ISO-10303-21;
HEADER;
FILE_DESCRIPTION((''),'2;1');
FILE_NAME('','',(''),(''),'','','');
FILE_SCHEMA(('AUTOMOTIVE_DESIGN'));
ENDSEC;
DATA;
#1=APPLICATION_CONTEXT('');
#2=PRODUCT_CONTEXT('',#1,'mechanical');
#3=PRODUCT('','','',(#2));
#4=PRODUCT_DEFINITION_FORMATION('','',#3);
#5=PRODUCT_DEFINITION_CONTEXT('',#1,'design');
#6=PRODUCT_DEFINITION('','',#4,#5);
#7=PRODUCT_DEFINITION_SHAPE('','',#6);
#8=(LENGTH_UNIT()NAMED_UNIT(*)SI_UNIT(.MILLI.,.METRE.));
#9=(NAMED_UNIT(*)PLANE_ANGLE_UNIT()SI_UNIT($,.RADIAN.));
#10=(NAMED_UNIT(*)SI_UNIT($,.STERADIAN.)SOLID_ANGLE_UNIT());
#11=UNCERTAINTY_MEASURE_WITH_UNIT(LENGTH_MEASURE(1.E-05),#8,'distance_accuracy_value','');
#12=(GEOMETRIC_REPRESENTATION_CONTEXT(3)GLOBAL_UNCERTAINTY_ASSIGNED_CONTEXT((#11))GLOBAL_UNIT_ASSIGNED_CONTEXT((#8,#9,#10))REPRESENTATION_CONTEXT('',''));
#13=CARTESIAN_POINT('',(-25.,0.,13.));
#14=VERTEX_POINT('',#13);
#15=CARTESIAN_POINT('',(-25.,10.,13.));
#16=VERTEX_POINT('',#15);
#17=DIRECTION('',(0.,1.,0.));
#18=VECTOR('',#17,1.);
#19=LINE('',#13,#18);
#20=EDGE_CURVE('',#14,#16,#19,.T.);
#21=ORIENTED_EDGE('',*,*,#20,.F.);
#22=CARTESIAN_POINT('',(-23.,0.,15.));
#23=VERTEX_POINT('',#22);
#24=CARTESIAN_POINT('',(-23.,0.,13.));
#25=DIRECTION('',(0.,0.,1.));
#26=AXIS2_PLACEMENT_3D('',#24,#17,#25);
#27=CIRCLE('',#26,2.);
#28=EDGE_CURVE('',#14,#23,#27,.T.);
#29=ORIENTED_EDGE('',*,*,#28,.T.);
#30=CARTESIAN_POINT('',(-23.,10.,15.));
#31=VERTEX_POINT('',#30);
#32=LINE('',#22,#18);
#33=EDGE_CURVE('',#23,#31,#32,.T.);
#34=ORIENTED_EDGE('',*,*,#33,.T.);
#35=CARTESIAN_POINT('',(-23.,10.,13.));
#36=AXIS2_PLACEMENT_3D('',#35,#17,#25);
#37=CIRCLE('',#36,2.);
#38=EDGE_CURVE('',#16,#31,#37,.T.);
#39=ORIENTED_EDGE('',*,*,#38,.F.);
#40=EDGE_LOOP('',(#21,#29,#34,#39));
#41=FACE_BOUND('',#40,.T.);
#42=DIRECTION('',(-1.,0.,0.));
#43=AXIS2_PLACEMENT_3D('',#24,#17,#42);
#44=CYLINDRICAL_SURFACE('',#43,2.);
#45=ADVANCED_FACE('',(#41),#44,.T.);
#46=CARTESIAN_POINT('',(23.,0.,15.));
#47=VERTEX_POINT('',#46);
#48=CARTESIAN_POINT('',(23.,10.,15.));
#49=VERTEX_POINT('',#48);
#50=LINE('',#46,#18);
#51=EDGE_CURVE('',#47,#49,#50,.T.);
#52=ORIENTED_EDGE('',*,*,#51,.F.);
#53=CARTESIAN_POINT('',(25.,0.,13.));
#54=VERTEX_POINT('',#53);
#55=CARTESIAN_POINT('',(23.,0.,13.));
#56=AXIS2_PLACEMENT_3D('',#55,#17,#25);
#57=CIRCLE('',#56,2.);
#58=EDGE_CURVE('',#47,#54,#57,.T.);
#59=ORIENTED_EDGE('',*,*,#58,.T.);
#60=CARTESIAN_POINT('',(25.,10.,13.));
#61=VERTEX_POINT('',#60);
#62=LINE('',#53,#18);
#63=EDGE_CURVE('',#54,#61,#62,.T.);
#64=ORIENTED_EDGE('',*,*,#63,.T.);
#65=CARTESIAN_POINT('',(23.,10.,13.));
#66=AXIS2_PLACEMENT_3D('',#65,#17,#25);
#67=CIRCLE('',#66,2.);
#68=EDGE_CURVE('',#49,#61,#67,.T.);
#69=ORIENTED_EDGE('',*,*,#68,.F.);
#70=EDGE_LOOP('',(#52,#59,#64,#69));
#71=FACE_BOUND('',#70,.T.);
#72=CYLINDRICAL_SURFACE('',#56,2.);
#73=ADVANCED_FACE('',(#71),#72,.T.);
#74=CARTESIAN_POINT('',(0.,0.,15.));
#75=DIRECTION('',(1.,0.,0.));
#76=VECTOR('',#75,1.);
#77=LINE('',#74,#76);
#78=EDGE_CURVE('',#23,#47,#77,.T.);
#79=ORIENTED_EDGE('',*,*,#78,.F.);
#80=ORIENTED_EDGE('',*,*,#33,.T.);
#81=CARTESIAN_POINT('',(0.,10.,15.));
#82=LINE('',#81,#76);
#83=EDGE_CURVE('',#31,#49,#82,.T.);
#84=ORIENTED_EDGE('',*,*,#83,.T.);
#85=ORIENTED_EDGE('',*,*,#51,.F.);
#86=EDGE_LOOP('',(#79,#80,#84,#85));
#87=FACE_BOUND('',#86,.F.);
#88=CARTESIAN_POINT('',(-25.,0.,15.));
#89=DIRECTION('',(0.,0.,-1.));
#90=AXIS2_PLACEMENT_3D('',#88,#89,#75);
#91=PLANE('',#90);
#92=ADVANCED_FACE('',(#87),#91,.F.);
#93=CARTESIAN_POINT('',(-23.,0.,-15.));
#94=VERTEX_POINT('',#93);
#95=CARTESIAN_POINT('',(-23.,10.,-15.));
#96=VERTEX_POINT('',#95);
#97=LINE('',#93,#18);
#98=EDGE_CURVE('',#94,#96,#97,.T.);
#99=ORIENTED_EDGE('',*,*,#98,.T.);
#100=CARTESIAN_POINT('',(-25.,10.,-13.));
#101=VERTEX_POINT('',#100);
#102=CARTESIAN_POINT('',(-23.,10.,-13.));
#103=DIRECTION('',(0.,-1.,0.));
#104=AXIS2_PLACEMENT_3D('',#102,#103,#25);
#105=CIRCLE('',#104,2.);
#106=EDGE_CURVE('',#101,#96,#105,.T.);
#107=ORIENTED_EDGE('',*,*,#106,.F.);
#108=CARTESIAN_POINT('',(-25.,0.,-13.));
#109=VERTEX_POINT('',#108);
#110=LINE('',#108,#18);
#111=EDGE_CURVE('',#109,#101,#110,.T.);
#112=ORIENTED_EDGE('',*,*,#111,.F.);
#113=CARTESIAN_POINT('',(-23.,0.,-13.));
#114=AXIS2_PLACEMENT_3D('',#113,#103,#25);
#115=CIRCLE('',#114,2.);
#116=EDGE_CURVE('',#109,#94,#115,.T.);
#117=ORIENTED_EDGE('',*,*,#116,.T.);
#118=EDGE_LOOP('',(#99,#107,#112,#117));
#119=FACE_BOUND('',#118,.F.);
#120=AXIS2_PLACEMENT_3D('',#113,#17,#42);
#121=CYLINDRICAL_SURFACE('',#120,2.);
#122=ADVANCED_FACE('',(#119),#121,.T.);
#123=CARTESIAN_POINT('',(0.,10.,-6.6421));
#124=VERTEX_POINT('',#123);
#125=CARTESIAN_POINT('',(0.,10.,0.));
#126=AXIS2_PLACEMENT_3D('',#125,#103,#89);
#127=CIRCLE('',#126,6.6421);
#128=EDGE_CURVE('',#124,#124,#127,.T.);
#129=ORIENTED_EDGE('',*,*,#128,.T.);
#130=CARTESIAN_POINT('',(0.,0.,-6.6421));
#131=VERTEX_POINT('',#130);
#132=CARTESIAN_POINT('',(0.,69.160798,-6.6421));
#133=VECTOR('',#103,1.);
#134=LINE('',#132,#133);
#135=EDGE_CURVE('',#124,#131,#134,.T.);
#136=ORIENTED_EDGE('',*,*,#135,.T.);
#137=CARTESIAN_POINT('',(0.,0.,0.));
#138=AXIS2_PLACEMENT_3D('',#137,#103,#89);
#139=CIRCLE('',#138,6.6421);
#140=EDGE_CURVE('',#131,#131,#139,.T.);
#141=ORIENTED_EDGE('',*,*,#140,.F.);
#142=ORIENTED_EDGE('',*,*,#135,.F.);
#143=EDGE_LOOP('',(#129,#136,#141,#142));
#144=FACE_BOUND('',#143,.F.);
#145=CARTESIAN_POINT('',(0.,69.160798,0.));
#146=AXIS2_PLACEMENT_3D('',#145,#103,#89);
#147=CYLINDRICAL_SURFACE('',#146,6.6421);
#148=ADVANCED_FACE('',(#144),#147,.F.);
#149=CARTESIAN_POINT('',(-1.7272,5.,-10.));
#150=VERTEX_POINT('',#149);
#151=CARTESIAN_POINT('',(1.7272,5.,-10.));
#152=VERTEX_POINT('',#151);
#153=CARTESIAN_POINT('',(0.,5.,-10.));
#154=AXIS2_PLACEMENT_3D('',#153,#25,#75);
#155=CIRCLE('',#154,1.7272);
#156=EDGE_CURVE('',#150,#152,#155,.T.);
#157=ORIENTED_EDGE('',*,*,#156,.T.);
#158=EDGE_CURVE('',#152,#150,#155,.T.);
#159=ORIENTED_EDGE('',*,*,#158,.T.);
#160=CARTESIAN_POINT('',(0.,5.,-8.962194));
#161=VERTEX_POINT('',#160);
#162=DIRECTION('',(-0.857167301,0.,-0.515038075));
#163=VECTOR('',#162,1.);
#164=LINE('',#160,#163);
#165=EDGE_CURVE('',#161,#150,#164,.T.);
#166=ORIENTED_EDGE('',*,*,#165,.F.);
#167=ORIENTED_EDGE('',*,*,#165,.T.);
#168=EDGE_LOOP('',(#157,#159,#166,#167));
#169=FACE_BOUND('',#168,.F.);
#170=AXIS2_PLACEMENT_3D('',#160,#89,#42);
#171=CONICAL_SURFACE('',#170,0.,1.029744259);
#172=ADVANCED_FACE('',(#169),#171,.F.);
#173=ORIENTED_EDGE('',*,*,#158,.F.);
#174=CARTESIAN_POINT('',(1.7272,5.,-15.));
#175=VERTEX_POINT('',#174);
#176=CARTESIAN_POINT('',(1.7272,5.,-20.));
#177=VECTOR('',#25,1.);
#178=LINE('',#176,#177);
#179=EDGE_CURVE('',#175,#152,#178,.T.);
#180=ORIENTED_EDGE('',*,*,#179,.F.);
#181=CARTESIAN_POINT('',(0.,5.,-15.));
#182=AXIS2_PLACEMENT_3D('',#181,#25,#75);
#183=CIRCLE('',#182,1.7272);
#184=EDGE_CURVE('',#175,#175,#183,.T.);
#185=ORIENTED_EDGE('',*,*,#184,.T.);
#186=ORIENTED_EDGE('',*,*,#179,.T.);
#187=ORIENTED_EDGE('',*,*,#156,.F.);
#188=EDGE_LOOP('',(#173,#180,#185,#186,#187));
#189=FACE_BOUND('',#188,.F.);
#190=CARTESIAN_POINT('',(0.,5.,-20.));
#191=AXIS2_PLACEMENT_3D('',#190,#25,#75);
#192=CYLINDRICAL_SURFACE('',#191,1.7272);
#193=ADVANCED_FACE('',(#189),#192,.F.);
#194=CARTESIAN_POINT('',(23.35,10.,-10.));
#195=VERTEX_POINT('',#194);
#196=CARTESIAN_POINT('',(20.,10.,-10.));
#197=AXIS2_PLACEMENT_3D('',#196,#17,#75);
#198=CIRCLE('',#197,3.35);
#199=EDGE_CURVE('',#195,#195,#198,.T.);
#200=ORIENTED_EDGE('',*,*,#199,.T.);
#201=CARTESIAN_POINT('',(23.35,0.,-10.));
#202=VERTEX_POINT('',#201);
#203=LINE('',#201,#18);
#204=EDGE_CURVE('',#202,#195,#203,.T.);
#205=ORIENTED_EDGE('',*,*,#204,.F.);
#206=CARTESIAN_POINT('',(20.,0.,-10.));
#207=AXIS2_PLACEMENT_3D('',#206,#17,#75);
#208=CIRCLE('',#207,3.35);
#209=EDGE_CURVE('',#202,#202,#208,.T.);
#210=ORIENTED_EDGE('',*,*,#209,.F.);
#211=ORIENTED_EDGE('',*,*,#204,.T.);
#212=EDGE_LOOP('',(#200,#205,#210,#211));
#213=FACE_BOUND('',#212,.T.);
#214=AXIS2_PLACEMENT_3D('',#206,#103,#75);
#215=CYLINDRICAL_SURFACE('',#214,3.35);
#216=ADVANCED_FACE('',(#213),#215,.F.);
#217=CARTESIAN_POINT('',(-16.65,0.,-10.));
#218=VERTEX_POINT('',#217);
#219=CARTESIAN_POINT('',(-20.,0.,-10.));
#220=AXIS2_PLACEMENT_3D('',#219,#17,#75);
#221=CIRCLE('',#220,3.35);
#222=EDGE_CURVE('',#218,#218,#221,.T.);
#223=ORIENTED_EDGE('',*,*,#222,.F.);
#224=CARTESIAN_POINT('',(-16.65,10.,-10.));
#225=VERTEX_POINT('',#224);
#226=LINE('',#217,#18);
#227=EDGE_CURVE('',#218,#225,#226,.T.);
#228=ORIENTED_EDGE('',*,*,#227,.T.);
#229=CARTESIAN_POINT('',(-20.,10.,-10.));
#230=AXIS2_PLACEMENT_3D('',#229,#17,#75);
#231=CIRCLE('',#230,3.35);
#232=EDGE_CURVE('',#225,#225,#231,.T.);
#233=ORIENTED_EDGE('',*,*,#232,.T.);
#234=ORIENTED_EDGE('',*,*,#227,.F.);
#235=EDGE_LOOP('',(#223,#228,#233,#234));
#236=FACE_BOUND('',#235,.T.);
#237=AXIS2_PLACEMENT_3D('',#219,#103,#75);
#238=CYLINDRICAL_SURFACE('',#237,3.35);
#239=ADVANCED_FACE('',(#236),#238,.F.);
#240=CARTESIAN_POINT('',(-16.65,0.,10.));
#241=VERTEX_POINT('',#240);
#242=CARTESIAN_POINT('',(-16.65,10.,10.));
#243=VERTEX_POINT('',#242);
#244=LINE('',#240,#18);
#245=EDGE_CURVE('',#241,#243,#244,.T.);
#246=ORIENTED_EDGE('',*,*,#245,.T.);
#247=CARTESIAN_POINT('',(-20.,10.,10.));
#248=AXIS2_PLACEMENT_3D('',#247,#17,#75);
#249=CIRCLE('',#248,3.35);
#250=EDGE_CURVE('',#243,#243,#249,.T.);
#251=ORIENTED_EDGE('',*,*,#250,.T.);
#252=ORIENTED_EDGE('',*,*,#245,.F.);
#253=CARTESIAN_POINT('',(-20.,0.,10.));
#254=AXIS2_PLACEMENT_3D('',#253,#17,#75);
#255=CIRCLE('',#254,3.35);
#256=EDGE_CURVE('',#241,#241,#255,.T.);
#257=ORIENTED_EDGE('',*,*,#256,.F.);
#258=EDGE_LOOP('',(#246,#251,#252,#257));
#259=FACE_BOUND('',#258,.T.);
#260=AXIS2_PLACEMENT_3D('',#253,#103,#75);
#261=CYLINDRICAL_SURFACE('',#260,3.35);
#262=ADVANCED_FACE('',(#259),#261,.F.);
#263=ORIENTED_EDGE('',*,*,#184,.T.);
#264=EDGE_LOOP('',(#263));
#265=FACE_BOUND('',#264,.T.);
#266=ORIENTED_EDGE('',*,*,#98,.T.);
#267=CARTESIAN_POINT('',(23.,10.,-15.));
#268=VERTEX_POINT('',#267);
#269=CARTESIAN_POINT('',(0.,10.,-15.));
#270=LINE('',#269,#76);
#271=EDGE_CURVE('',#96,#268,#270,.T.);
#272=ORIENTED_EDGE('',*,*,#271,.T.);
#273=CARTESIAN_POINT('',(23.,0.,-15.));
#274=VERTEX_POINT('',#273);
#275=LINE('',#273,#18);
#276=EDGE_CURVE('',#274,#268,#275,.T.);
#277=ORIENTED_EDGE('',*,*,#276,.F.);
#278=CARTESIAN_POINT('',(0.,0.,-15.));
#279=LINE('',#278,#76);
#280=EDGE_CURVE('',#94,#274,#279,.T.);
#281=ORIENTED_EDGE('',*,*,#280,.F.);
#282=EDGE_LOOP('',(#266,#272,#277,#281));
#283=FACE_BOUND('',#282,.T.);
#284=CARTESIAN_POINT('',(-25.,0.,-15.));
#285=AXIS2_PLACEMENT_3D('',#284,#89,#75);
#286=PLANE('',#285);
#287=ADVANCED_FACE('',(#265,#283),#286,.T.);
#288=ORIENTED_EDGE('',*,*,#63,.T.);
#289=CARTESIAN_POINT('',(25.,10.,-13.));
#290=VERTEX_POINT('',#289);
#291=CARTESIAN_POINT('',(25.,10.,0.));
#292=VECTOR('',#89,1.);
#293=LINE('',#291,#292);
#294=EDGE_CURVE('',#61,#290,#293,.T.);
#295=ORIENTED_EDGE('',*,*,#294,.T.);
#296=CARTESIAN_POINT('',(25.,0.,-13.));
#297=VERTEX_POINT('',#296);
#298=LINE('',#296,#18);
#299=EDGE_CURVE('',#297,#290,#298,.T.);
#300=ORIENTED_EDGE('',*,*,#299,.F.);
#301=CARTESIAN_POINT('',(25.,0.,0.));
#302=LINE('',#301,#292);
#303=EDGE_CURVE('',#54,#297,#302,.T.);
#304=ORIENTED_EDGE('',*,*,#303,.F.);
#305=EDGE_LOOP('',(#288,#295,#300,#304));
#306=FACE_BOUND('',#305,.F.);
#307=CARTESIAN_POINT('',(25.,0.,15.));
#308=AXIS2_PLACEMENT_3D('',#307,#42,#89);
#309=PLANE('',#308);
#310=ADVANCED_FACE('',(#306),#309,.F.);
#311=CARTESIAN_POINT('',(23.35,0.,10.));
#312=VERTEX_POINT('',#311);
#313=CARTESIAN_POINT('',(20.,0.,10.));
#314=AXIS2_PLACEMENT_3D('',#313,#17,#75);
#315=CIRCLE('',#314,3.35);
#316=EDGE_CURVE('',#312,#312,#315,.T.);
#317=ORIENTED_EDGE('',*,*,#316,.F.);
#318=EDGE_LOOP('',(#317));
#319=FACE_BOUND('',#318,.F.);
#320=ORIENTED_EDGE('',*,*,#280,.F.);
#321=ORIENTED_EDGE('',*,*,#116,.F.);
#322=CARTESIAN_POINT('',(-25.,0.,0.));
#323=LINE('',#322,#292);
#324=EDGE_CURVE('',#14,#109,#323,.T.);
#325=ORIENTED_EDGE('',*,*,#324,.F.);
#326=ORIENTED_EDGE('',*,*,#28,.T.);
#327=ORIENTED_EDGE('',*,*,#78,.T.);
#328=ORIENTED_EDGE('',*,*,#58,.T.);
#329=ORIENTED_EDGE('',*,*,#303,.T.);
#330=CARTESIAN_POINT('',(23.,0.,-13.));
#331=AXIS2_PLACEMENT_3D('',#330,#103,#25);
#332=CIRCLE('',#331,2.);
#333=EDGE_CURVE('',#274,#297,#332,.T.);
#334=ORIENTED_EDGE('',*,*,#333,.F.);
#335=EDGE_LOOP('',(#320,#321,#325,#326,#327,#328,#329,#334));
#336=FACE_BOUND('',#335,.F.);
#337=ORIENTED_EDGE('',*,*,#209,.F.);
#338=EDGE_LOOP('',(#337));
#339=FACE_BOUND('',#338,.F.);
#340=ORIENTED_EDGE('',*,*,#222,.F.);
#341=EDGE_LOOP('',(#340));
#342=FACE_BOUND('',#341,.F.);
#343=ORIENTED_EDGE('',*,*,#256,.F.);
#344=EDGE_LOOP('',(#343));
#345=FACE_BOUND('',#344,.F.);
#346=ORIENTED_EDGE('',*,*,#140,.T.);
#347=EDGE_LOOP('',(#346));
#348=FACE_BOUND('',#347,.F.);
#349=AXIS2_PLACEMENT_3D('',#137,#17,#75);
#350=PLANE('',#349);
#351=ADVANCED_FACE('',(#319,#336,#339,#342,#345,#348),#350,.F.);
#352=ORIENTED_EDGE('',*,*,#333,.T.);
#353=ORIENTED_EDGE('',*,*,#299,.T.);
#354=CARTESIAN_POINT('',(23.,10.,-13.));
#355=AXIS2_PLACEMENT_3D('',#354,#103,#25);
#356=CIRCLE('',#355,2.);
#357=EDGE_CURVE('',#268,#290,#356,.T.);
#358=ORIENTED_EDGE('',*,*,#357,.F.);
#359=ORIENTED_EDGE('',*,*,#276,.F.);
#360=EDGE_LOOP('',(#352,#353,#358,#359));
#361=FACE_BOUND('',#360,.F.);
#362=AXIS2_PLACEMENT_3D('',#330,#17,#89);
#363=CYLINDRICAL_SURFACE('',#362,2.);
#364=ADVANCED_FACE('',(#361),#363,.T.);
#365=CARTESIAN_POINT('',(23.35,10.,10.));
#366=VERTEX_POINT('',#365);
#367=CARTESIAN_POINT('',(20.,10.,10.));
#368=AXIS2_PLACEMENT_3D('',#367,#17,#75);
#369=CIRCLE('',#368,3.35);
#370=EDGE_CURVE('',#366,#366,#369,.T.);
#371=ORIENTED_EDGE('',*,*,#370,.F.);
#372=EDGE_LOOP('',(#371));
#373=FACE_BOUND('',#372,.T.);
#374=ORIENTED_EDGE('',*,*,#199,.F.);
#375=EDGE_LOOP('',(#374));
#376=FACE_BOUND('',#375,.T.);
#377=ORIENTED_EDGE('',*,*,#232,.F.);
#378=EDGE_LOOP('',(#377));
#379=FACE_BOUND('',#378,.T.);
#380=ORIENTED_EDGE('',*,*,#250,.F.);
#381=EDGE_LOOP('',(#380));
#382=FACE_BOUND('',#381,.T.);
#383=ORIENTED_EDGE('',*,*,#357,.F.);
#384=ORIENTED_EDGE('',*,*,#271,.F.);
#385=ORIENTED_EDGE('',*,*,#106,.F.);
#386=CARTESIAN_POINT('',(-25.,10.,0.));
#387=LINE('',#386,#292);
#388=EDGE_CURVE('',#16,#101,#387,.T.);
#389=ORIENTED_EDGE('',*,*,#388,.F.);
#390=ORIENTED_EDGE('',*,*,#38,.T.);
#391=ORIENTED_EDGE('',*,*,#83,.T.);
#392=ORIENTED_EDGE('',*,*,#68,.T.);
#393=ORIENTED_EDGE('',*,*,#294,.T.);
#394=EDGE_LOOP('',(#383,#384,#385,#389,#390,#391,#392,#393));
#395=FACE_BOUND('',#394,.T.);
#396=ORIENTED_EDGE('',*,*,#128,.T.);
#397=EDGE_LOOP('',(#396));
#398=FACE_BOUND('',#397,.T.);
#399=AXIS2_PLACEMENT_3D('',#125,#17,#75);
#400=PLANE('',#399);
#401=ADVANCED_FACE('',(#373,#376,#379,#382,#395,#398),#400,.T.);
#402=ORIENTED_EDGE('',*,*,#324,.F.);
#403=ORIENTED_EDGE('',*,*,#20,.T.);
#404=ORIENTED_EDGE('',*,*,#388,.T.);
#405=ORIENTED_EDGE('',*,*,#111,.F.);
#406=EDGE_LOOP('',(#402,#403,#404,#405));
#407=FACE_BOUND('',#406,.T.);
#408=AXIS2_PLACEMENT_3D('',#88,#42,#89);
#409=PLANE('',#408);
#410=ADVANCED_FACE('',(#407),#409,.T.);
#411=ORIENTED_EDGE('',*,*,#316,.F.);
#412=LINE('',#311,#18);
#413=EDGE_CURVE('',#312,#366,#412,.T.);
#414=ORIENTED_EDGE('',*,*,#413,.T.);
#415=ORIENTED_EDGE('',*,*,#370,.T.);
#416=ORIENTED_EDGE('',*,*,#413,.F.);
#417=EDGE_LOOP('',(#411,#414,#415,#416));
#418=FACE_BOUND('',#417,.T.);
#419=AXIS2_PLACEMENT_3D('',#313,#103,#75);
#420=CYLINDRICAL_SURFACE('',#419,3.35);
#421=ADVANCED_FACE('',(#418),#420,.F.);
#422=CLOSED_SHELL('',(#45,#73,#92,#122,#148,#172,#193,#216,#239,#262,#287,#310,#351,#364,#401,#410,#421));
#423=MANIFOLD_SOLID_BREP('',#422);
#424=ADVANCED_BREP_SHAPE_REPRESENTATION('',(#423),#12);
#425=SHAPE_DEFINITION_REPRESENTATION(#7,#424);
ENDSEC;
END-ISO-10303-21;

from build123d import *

# Parameters (mm, degrees)
SKETCH1_W                 = 50
SKETCH1_H                 = 30
SKETCH1_R                 = 3.35
BOSS_EXTRUDE2_DEPTH       = 10
F_8_32_TAPPED_HOLE3_D     = 3.4544
F_8_32_TAPPED_HOLE3_DEPTH = 5
F_8_32_TAPPED_HOLE3_TIP   = 1.037806461
FILLET3_R                 = 2
FILLET4_R                 = 2
F_0_535_40_TAPPED_HOLE2_D = 13.2842


with BuildPart() as part:
    # Sketch1 → Boss-Extrude2 (new body)
    with BuildSketch(Plane(origin=(0, 0, 0), x_dir=(1, 0, 0), z_dir=(0, 1, 0))):
        Rectangle(SKETCH1_W, SKETCH1_H)
        with Locations((-20, 10)):
            Circle(SKETCH1_R, mode=Mode.SUBTRACT)
        with Locations((20, 10)):
            Circle(SKETCH1_R, mode=Mode.SUBTRACT)
        with Locations((-20, -10)):
            Circle(SKETCH1_R, mode=Mode.SUBTRACT)
        with Locations((20, -10)):
            Circle(SKETCH1_R, mode=Mode.SUBTRACT)
    extrude(amount=BOSS_EXTRUDE2_DEPTH)

    # #8-32 Tapped Hole3
    with Locations(Plane(origin=(0, 5, -15), x_dir=(-1, 0, 0), z_dir=(0, 0, -1))):
        with Locations((0, 0)):
            Hole(F_8_32_TAPPED_HOLE3_D / 2, depth=F_8_32_TAPPED_HOLE3_DEPTH)
            with Locations((0, 0, -(F_8_32_TAPPED_HOLE3_DEPTH + F_8_32_TAPPED_HOLE3_TIP / 2))):  # 118° drill point
                Cone(0, F_8_32_TAPPED_HOLE3_D / 2, F_8_32_TAPPED_HOLE3_TIP, mode=Mode.SUBTRACT)

    # Fillet3
    fillet3_edges = [part.edges().sort_by_distance(p)[0] for p in [
        (25, 5, 15),
        (-25, 5, -15),
        (25, 5, -15),
    ]]
    fillet(fillet3_edges, radius=FILLET3_R)

    # Fillet4
    fillet4_edges = [part.edges().sort_by_distance(p)[0] for p in [
        (-25, 5, 15),
    ]]
    fillet(fillet4_edges, radius=FILLET4_R)

    # 0.535-40 Tapped Hole2 (through all)
    with Locations(Plane.ZX.offset(10)):
        with Locations((0, 0)):
            Hole(F_0_535_40_TAPPED_HOLE2_D / 2)


solid = part.part
